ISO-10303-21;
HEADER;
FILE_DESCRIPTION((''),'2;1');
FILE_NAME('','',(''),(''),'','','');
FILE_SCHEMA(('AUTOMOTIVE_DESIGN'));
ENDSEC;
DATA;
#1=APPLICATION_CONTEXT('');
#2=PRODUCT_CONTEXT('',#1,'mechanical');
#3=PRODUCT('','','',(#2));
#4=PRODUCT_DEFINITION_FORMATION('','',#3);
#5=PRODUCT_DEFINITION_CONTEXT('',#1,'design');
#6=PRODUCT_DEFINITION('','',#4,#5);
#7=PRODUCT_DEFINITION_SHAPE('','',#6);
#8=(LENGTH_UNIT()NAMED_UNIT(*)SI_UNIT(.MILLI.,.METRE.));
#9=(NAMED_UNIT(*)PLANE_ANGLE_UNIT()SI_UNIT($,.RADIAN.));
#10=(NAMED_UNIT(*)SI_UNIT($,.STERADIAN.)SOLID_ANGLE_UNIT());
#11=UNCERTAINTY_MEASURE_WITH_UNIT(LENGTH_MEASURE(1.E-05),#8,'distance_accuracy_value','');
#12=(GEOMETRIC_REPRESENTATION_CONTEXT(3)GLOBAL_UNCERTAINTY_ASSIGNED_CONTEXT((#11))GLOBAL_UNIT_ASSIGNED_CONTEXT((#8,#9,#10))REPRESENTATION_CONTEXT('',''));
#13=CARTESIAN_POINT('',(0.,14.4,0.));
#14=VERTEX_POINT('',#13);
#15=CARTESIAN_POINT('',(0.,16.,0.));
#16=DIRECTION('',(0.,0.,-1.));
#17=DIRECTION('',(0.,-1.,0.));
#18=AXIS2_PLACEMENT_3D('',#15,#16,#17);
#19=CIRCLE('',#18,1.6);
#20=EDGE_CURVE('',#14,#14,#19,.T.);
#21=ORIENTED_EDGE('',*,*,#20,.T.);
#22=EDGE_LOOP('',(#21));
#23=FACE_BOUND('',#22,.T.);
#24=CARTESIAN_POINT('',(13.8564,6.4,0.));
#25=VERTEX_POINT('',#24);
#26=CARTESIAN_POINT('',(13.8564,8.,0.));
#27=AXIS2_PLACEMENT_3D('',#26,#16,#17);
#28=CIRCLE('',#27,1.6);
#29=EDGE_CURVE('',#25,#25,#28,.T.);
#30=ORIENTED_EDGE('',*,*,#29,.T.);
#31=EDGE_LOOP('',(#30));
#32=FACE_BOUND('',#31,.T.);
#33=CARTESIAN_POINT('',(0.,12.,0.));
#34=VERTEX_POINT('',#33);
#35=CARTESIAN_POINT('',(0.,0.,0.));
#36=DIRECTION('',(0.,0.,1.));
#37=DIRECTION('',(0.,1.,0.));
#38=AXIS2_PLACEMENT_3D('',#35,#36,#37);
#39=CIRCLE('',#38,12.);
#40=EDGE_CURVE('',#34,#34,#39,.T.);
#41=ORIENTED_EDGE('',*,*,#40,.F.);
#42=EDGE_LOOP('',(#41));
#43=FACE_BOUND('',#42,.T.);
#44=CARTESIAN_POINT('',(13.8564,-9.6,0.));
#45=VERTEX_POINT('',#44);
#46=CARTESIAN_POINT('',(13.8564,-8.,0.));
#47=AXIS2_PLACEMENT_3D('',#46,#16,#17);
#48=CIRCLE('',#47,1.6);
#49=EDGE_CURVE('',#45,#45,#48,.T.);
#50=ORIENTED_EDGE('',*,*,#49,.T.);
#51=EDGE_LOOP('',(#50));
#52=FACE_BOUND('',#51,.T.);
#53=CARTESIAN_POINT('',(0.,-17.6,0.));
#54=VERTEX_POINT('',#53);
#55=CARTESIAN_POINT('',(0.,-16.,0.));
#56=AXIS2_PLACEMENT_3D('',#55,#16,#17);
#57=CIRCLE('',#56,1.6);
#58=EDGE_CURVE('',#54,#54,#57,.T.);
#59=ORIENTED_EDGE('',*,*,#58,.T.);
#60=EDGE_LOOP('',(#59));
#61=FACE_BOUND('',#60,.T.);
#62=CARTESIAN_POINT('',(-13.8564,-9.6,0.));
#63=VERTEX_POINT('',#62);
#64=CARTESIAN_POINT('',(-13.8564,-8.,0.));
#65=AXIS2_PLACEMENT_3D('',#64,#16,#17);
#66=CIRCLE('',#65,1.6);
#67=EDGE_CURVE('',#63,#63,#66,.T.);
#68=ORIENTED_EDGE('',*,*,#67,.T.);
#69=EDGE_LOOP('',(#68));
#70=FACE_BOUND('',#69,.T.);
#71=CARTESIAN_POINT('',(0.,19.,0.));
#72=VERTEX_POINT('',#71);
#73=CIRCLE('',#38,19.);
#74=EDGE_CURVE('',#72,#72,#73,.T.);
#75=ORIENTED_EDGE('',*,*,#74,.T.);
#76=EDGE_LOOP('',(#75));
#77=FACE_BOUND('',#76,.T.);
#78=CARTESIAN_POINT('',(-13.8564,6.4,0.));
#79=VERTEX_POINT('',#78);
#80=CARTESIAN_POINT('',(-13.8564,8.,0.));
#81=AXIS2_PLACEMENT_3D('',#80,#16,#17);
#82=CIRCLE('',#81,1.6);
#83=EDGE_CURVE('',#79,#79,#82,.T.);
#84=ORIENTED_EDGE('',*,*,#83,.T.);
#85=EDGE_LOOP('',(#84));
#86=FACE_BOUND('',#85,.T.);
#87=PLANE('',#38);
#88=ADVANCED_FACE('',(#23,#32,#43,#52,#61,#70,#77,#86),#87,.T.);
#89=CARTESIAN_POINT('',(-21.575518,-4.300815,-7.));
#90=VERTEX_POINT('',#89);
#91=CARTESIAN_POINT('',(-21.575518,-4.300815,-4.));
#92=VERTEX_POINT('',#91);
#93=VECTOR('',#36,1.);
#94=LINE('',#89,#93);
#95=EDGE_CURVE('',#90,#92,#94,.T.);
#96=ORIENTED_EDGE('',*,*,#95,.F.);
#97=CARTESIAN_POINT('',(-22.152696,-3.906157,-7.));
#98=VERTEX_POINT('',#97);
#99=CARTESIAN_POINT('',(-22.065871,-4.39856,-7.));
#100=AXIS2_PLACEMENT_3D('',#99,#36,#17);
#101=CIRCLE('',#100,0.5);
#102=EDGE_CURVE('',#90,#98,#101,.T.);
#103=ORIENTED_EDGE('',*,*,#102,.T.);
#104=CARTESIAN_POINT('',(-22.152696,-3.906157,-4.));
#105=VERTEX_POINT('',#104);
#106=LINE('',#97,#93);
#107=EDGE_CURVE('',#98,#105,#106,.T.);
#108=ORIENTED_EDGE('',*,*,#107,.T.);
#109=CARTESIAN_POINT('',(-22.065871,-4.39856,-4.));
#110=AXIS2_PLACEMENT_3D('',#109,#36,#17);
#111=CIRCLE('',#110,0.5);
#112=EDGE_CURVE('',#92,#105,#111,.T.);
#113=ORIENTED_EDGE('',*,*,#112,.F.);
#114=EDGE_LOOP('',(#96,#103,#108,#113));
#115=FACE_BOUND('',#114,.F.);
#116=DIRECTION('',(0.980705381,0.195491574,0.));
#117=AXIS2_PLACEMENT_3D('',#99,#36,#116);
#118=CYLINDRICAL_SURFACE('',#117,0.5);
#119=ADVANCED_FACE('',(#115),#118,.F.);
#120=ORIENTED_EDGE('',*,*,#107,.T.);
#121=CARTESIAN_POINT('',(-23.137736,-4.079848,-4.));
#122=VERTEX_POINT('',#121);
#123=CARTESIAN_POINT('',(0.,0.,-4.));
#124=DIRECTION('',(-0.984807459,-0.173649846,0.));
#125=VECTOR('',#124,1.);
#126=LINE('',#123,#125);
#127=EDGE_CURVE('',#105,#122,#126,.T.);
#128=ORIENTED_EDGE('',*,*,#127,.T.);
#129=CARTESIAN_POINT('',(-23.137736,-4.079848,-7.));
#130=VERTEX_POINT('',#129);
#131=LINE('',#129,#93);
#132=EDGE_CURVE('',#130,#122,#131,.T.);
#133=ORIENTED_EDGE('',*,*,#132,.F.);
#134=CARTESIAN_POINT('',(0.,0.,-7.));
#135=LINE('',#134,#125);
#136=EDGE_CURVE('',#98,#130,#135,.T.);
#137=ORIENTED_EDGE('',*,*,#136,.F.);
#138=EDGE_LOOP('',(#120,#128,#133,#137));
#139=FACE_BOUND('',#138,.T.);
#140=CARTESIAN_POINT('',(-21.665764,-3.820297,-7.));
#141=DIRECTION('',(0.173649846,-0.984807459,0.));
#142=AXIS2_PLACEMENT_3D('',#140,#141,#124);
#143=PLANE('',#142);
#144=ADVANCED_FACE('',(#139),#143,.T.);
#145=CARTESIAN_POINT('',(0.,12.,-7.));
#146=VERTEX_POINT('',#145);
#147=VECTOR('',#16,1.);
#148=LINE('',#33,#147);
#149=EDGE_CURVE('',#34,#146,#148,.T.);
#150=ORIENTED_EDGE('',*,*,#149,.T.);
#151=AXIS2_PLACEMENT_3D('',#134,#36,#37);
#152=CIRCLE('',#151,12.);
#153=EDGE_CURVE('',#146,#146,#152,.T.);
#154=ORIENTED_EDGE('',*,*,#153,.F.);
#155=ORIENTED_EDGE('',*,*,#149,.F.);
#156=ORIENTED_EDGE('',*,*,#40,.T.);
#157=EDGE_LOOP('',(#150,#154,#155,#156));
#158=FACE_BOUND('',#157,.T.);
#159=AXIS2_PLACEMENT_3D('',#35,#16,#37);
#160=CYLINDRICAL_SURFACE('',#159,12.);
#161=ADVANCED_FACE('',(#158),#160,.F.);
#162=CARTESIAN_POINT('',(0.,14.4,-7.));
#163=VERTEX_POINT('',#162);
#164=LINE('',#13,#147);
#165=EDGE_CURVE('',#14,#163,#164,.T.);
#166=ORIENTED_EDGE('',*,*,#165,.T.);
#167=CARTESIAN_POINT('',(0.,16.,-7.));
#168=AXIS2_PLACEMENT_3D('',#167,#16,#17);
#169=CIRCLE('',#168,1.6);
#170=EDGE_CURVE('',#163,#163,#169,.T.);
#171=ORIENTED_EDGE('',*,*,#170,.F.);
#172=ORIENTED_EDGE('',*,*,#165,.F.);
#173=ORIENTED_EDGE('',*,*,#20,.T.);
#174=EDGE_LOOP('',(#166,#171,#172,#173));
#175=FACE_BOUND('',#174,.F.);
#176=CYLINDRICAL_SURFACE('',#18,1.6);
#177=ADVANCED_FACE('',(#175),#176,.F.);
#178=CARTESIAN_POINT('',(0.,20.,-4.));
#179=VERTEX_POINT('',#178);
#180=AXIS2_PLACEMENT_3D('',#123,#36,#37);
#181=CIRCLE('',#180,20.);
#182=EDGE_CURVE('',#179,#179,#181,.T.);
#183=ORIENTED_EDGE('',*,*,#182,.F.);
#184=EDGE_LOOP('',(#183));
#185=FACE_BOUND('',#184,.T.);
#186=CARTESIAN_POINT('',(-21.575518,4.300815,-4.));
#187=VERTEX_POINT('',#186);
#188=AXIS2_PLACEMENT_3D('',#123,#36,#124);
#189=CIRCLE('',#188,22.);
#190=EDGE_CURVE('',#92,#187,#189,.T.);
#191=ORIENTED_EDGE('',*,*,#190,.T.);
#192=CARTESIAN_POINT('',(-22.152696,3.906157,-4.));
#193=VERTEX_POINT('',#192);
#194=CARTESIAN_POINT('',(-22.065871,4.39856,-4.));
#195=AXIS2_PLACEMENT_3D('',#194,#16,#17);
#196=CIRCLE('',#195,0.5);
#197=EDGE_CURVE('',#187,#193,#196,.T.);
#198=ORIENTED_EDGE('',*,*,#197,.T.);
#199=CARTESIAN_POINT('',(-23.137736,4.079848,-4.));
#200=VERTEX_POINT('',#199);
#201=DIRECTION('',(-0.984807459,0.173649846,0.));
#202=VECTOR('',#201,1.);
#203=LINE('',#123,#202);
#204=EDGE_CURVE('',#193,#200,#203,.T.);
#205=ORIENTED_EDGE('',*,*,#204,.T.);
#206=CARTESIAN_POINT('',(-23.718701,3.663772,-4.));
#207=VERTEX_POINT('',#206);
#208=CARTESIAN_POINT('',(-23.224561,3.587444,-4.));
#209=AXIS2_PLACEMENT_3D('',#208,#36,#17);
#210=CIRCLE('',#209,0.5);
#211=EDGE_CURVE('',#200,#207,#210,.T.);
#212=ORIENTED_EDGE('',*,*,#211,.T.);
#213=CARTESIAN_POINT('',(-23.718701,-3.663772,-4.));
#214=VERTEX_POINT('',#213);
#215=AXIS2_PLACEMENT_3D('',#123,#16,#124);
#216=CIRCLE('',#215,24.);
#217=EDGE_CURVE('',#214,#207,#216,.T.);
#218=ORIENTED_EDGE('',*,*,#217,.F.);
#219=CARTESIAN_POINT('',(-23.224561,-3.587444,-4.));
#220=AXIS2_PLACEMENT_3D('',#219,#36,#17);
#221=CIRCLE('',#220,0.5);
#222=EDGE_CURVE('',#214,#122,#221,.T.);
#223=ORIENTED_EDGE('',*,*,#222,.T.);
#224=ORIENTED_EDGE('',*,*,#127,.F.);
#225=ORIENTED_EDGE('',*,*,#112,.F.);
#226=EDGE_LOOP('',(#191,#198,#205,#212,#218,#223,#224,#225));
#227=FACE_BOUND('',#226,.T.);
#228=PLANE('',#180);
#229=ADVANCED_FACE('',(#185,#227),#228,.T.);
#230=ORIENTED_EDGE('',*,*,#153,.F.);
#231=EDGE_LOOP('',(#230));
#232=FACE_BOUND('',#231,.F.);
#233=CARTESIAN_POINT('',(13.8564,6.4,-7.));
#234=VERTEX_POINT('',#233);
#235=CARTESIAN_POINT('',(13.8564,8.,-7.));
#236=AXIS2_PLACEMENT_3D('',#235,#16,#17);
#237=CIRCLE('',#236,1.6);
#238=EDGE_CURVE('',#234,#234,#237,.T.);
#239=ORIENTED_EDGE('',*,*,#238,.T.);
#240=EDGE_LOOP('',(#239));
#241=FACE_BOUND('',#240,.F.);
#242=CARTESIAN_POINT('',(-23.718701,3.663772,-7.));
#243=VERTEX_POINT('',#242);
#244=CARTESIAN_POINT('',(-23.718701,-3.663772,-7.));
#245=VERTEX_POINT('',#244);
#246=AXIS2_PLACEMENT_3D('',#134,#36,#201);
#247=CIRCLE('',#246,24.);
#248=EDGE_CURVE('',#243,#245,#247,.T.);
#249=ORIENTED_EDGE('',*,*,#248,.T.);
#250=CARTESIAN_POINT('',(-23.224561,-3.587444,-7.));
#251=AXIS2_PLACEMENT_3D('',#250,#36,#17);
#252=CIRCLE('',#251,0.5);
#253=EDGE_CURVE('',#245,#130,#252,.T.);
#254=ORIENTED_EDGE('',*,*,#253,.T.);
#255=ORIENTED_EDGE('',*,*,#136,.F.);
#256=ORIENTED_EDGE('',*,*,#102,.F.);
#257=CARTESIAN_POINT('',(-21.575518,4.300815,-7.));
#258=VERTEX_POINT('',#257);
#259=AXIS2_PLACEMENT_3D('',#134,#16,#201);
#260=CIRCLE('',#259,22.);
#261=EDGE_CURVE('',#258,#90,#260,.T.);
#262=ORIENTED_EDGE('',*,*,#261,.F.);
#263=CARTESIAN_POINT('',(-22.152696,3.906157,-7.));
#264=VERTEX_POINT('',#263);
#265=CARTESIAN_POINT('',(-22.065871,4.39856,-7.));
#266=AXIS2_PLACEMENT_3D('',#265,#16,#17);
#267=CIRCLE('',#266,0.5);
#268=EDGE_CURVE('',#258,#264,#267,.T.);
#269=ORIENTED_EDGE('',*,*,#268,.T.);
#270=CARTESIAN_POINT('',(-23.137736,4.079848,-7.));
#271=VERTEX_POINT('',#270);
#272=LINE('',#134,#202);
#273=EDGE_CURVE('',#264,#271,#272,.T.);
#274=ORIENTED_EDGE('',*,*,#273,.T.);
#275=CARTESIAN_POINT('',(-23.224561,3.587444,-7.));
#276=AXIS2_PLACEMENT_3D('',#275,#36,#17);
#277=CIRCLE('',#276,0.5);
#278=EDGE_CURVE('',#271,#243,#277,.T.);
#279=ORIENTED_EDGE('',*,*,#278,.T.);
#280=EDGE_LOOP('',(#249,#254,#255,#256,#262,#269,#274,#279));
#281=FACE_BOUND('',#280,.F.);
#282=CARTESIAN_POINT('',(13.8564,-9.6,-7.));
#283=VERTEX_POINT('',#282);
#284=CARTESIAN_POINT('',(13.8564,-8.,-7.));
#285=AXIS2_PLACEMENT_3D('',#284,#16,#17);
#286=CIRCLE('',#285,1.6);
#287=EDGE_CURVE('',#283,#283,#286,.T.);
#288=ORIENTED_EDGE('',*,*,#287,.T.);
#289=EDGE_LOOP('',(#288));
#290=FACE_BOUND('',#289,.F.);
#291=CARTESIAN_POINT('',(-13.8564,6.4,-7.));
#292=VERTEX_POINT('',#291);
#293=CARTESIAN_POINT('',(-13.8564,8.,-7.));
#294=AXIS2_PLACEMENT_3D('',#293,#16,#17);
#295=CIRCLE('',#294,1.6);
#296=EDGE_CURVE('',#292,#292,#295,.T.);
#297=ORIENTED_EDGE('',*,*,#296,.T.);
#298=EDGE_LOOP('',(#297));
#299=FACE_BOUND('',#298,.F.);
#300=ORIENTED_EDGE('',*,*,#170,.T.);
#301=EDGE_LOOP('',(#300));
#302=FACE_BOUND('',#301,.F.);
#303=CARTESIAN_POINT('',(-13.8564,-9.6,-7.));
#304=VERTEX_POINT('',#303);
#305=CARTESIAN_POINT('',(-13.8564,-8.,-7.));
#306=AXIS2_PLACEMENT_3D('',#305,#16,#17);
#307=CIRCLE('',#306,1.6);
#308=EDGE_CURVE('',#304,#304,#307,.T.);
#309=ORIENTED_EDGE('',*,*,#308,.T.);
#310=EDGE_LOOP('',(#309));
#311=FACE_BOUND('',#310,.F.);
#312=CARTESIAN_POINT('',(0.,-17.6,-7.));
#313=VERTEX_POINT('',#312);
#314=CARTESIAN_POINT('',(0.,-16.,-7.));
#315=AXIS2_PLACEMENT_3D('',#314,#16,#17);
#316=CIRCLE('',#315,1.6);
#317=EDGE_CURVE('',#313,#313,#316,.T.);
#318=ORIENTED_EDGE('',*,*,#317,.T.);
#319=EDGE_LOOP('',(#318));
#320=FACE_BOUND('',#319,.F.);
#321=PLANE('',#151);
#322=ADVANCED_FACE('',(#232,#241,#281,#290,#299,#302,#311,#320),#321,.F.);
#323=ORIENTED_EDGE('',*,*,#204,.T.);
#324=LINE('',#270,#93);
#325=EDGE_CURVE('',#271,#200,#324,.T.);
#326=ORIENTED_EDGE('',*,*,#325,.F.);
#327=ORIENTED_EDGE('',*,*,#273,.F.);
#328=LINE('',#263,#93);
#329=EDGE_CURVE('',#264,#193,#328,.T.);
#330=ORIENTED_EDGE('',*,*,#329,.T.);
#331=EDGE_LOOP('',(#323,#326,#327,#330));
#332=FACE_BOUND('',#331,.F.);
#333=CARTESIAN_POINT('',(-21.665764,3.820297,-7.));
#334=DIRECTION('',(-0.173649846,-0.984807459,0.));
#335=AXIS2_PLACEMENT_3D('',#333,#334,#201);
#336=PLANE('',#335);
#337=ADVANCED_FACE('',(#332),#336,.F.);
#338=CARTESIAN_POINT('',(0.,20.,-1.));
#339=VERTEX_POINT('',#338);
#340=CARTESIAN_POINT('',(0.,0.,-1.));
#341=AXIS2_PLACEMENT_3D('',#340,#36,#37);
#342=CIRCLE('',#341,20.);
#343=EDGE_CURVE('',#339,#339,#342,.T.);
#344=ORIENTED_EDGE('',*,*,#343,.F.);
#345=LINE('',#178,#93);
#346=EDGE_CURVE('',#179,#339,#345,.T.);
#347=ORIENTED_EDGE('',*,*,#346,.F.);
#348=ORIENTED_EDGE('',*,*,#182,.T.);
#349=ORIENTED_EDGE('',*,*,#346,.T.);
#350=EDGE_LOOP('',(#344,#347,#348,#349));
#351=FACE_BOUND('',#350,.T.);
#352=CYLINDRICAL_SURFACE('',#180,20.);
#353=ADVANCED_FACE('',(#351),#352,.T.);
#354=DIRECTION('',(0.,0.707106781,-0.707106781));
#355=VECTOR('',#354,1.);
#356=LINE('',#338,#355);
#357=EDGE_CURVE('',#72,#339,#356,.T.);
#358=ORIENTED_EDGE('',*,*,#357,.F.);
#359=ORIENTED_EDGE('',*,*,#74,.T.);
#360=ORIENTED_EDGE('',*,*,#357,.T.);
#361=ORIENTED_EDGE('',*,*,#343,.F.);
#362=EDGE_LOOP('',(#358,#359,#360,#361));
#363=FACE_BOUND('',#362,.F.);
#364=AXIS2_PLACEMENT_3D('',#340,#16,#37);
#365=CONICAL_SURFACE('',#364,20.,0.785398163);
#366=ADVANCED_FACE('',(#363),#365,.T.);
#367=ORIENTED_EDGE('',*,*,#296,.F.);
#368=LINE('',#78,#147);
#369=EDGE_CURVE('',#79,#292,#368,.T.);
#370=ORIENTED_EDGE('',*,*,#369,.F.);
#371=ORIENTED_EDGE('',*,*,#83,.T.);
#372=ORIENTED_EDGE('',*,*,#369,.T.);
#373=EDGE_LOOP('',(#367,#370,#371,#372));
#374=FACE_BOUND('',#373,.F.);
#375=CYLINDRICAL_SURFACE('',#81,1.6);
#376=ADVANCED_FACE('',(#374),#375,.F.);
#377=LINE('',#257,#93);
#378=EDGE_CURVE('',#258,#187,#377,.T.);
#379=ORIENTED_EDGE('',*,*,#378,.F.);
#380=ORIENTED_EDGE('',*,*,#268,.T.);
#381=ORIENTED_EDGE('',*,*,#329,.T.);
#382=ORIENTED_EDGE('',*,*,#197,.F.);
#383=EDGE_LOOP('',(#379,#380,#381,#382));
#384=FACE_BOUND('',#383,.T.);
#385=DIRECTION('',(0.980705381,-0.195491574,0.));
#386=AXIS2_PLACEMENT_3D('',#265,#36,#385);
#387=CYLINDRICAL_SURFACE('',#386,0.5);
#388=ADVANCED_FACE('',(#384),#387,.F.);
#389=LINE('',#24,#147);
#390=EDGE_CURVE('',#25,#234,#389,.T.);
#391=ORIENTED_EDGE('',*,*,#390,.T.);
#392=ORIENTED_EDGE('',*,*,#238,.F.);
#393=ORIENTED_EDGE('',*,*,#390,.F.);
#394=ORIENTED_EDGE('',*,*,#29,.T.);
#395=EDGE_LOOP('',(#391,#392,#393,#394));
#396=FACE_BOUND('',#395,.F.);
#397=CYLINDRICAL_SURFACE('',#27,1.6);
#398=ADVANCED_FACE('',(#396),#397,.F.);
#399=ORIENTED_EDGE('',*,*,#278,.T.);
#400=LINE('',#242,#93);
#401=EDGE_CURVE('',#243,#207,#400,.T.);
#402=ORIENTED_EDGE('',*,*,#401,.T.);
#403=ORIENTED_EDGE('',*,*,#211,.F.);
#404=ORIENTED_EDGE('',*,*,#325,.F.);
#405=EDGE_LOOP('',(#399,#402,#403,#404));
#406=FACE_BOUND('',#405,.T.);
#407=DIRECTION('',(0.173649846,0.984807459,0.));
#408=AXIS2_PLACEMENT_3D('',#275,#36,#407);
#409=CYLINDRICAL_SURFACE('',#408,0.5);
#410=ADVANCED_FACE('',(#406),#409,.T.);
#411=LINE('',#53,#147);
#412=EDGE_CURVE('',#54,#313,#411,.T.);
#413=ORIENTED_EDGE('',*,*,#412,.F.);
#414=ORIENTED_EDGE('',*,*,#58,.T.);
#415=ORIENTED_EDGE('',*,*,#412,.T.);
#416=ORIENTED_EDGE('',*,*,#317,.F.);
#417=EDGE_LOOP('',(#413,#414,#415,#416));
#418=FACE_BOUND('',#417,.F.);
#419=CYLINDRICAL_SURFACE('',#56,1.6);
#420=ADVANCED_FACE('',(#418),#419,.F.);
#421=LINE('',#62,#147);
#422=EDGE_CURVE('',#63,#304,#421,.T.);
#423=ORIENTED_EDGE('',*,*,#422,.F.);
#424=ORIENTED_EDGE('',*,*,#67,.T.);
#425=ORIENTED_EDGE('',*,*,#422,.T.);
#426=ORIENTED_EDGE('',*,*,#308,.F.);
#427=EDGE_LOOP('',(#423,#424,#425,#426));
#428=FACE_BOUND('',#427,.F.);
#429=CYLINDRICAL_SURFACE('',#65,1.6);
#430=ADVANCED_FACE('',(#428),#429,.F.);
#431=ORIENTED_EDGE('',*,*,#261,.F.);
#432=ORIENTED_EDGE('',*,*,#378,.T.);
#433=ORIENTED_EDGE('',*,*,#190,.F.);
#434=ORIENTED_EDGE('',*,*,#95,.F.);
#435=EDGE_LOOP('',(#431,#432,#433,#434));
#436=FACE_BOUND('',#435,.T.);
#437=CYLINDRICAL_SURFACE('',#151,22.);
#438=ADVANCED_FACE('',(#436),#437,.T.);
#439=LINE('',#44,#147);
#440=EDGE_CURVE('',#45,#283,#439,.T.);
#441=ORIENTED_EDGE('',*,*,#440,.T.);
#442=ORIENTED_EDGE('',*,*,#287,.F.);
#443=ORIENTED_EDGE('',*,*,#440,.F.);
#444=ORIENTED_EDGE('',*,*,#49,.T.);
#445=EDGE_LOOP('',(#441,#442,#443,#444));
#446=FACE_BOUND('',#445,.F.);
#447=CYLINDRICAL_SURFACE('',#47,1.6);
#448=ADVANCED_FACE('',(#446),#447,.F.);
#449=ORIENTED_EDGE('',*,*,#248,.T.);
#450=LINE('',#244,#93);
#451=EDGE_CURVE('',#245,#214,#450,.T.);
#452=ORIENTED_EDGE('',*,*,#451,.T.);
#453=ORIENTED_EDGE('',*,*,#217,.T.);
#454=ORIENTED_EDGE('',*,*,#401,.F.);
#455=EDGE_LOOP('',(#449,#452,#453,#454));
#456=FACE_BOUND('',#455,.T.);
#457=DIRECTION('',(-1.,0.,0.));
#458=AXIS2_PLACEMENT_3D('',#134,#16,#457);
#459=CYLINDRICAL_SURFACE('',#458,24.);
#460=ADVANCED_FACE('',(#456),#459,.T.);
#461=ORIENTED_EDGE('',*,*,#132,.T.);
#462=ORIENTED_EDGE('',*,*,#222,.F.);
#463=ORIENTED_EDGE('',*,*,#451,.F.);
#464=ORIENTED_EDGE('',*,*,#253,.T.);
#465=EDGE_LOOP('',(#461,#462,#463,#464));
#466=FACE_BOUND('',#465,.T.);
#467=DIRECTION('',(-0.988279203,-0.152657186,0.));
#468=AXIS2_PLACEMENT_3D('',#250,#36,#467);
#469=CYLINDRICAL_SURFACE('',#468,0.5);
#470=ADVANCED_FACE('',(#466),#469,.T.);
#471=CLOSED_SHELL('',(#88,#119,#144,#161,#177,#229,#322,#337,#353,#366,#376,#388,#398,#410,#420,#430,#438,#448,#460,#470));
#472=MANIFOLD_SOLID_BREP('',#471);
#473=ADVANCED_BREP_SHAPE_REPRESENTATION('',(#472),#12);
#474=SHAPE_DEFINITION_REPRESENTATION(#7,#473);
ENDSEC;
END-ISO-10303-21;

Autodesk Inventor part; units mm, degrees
ref_plane "YZ Plane" through (0, 0, 0) normal (1, 0, 0) x (0, 1, 0)
ref_plane "XZ Plane" through (0, 0, 0) normal (0, 1, 0) x (-1, 0, 0)
ref_plane "XY Plane" through (0, 0, 0) normal (0, 0, 1) x (1, 0, 0)
sketch "スケッチ1" plane through (0, 0, 0) normal (1, 0, 0) x (0, 1, 0)
  line L0 (12, 0) -> (12, -7)
  line L1 (22, -7) -> (22, -4)
  line L2 (22, -4) -> (20, -4)
  line L3 (20, -4) -> (20, 0)
  line L4 (20, 0) -> (12, 0)
  line L5 (0, -8.4) -> (0, 1.4) projected
  line L6 (22, -7) -> (12, -7)
  point P0 (0, 0)
  dimension "d0" = 20
  dimension "d1" = 2
  dimension "d2" = 4
  dimension "d3" = 3
  dimension "d4" = 8
revolve "回転1" add sketch "スケッチ1" angle 360 about axis through (0, 0, -10) along (0, 0, 1)
sketch "スケッチ2" plane through (0, 0, 0) normal (0, 0, 1) x (1, 0, 0)
  circle A0 centre (0, 0) radius 20 projected
  circle A1 centre (0, 0) radius 16
  point P0 (0, 16)
  point P1 (-13.8564, 8)
  point P2 (-13.8564, -8)
  point P3 (0, -16)
  point P4 (13.8564, -8)
  point P5 (13.8564, 8)
  dimension "d8" = 4
  dimension "d11" = 360
hole "穴1" at (0, 16, 0) at (-13.8564, 8, 0) at (-13.8564, -8, 0) at (0, -16, 0) at (13.8564, -8, 0) at (13.8564, 8, 0) direction (0, 0, -1) diameter 3.2 end through all clearance for "Socket Head Cap Screw" size "M3" standard "Ansi Metric M Profile"
chamfer "面取り1" distance 1 angle 45 1 edges at (0, -20, 0)
sketch "スケッチ3" plane through (0, 0, -7) normal (0, 0, -1) x (-1, 0, 0)
  circle A0 centre (0, 0) radius 22 projected
  circle A1 centre (0, 0) radius 24
  line L0 (0, 0) -> (23.6354, -4.1676)
  line L1 (0, 0) -> (23.6354, 4.1676)
  line L2 (-35, 0) -> (35, 0) projected
  point P0 (21.6658, -3.8203)
  point P1 (21.6658, 3.8203)
  dimension "d23" = 2
  dimension "d24" = 10
  dimension "d25" = 10
extrude "押し出し1" add sketch "スケッチ3" against normal up to surface (3 mm away) contours L2 A1 L0 A0 | A0 L1 A1 L2 picked at (23.0463, -3.5914) picked at (23.1081, 3.1693)
fillet "フィレット1" radius 0.5 4 edges at (-23.6354, -4.1676, -5.5) (-21.6658, -3.8203, -5.5) (-23.6354, 4.1676, -5.5) (-21.6658, 3.8203, -5.5)
equation "\"d25\" = d24"
properties part number "base11" material "ABS プラスチック"
